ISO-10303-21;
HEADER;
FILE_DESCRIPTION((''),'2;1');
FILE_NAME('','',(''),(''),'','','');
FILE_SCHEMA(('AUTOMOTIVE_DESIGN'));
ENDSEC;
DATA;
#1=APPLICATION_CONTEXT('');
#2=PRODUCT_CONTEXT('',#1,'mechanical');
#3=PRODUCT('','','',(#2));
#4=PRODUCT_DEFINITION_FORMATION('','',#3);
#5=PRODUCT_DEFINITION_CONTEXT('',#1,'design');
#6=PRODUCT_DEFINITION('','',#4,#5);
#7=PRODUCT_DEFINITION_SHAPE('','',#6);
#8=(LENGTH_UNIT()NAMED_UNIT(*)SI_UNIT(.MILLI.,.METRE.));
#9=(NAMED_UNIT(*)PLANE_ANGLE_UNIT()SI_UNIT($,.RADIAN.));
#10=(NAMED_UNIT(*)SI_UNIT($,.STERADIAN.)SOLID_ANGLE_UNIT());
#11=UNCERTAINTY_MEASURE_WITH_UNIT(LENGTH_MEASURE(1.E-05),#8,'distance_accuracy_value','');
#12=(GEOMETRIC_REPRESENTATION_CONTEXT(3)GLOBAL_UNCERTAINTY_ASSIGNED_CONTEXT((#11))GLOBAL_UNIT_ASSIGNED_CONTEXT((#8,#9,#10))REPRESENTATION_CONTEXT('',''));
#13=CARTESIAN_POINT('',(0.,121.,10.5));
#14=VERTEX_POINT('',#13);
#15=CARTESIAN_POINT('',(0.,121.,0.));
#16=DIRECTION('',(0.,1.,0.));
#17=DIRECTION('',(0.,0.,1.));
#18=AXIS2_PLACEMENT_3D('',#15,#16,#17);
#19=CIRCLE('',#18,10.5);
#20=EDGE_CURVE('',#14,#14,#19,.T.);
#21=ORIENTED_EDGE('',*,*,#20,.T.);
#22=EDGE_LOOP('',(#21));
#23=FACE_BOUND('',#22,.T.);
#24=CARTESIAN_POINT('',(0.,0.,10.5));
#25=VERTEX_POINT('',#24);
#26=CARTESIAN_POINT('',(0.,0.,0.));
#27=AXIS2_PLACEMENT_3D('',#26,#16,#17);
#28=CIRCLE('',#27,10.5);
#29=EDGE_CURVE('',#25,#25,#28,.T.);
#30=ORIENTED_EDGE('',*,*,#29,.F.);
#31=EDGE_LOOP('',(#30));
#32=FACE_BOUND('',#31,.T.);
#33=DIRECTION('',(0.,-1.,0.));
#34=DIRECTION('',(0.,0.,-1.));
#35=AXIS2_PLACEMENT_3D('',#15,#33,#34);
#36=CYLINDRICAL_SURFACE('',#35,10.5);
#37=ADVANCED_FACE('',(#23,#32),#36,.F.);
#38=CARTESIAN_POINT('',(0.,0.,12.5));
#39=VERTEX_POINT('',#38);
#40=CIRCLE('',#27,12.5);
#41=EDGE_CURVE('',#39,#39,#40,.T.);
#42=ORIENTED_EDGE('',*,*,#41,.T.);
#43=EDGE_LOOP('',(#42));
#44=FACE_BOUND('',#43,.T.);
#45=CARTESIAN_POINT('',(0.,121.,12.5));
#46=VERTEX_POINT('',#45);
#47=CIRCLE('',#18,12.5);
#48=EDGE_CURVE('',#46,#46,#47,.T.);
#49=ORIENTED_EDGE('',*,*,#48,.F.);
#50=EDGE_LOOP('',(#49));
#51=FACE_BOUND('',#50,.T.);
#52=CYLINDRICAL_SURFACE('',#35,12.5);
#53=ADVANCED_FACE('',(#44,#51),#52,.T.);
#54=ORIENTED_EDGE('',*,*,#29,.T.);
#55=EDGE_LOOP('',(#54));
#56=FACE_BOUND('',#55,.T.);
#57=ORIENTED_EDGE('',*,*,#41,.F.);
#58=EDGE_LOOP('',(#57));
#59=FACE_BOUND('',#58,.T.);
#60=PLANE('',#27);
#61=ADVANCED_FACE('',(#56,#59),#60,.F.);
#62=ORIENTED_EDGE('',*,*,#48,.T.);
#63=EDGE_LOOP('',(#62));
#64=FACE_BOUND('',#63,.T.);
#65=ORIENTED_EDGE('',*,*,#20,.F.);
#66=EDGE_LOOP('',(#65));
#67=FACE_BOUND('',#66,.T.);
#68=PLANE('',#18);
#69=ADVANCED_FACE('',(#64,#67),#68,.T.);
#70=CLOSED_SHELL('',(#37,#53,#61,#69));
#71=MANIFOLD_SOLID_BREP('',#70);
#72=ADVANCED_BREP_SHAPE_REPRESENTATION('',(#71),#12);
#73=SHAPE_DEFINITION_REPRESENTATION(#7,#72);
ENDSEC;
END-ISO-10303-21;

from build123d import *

# Parameters (mm, degrees)
SKETCH1_R           = 12.5
SKETCH1_R_2         = 10.5
BOSS_EXTRUDE1_DEPTH = 121


with BuildPart() as part:
    # Sketch1 → Boss-Extrude1 (new body)
    with BuildSketch(Plane(origin=(0, 0, 0), x_dir=(1, 0, 0), z_dir=(0, 1, 0))):
        with Locations(Location((0, 0, 0), (0, 0, 270))):
            Circle(SKETCH1_R)
        with Locations(Location((0, 0, 0), (0, 0, 270))):
            Circle(SKETCH1_R_2, mode=Mode.SUBTRACT)
    extrude(amount=BOSS_EXTRUDE1_DEPTH)


solid = part.part
